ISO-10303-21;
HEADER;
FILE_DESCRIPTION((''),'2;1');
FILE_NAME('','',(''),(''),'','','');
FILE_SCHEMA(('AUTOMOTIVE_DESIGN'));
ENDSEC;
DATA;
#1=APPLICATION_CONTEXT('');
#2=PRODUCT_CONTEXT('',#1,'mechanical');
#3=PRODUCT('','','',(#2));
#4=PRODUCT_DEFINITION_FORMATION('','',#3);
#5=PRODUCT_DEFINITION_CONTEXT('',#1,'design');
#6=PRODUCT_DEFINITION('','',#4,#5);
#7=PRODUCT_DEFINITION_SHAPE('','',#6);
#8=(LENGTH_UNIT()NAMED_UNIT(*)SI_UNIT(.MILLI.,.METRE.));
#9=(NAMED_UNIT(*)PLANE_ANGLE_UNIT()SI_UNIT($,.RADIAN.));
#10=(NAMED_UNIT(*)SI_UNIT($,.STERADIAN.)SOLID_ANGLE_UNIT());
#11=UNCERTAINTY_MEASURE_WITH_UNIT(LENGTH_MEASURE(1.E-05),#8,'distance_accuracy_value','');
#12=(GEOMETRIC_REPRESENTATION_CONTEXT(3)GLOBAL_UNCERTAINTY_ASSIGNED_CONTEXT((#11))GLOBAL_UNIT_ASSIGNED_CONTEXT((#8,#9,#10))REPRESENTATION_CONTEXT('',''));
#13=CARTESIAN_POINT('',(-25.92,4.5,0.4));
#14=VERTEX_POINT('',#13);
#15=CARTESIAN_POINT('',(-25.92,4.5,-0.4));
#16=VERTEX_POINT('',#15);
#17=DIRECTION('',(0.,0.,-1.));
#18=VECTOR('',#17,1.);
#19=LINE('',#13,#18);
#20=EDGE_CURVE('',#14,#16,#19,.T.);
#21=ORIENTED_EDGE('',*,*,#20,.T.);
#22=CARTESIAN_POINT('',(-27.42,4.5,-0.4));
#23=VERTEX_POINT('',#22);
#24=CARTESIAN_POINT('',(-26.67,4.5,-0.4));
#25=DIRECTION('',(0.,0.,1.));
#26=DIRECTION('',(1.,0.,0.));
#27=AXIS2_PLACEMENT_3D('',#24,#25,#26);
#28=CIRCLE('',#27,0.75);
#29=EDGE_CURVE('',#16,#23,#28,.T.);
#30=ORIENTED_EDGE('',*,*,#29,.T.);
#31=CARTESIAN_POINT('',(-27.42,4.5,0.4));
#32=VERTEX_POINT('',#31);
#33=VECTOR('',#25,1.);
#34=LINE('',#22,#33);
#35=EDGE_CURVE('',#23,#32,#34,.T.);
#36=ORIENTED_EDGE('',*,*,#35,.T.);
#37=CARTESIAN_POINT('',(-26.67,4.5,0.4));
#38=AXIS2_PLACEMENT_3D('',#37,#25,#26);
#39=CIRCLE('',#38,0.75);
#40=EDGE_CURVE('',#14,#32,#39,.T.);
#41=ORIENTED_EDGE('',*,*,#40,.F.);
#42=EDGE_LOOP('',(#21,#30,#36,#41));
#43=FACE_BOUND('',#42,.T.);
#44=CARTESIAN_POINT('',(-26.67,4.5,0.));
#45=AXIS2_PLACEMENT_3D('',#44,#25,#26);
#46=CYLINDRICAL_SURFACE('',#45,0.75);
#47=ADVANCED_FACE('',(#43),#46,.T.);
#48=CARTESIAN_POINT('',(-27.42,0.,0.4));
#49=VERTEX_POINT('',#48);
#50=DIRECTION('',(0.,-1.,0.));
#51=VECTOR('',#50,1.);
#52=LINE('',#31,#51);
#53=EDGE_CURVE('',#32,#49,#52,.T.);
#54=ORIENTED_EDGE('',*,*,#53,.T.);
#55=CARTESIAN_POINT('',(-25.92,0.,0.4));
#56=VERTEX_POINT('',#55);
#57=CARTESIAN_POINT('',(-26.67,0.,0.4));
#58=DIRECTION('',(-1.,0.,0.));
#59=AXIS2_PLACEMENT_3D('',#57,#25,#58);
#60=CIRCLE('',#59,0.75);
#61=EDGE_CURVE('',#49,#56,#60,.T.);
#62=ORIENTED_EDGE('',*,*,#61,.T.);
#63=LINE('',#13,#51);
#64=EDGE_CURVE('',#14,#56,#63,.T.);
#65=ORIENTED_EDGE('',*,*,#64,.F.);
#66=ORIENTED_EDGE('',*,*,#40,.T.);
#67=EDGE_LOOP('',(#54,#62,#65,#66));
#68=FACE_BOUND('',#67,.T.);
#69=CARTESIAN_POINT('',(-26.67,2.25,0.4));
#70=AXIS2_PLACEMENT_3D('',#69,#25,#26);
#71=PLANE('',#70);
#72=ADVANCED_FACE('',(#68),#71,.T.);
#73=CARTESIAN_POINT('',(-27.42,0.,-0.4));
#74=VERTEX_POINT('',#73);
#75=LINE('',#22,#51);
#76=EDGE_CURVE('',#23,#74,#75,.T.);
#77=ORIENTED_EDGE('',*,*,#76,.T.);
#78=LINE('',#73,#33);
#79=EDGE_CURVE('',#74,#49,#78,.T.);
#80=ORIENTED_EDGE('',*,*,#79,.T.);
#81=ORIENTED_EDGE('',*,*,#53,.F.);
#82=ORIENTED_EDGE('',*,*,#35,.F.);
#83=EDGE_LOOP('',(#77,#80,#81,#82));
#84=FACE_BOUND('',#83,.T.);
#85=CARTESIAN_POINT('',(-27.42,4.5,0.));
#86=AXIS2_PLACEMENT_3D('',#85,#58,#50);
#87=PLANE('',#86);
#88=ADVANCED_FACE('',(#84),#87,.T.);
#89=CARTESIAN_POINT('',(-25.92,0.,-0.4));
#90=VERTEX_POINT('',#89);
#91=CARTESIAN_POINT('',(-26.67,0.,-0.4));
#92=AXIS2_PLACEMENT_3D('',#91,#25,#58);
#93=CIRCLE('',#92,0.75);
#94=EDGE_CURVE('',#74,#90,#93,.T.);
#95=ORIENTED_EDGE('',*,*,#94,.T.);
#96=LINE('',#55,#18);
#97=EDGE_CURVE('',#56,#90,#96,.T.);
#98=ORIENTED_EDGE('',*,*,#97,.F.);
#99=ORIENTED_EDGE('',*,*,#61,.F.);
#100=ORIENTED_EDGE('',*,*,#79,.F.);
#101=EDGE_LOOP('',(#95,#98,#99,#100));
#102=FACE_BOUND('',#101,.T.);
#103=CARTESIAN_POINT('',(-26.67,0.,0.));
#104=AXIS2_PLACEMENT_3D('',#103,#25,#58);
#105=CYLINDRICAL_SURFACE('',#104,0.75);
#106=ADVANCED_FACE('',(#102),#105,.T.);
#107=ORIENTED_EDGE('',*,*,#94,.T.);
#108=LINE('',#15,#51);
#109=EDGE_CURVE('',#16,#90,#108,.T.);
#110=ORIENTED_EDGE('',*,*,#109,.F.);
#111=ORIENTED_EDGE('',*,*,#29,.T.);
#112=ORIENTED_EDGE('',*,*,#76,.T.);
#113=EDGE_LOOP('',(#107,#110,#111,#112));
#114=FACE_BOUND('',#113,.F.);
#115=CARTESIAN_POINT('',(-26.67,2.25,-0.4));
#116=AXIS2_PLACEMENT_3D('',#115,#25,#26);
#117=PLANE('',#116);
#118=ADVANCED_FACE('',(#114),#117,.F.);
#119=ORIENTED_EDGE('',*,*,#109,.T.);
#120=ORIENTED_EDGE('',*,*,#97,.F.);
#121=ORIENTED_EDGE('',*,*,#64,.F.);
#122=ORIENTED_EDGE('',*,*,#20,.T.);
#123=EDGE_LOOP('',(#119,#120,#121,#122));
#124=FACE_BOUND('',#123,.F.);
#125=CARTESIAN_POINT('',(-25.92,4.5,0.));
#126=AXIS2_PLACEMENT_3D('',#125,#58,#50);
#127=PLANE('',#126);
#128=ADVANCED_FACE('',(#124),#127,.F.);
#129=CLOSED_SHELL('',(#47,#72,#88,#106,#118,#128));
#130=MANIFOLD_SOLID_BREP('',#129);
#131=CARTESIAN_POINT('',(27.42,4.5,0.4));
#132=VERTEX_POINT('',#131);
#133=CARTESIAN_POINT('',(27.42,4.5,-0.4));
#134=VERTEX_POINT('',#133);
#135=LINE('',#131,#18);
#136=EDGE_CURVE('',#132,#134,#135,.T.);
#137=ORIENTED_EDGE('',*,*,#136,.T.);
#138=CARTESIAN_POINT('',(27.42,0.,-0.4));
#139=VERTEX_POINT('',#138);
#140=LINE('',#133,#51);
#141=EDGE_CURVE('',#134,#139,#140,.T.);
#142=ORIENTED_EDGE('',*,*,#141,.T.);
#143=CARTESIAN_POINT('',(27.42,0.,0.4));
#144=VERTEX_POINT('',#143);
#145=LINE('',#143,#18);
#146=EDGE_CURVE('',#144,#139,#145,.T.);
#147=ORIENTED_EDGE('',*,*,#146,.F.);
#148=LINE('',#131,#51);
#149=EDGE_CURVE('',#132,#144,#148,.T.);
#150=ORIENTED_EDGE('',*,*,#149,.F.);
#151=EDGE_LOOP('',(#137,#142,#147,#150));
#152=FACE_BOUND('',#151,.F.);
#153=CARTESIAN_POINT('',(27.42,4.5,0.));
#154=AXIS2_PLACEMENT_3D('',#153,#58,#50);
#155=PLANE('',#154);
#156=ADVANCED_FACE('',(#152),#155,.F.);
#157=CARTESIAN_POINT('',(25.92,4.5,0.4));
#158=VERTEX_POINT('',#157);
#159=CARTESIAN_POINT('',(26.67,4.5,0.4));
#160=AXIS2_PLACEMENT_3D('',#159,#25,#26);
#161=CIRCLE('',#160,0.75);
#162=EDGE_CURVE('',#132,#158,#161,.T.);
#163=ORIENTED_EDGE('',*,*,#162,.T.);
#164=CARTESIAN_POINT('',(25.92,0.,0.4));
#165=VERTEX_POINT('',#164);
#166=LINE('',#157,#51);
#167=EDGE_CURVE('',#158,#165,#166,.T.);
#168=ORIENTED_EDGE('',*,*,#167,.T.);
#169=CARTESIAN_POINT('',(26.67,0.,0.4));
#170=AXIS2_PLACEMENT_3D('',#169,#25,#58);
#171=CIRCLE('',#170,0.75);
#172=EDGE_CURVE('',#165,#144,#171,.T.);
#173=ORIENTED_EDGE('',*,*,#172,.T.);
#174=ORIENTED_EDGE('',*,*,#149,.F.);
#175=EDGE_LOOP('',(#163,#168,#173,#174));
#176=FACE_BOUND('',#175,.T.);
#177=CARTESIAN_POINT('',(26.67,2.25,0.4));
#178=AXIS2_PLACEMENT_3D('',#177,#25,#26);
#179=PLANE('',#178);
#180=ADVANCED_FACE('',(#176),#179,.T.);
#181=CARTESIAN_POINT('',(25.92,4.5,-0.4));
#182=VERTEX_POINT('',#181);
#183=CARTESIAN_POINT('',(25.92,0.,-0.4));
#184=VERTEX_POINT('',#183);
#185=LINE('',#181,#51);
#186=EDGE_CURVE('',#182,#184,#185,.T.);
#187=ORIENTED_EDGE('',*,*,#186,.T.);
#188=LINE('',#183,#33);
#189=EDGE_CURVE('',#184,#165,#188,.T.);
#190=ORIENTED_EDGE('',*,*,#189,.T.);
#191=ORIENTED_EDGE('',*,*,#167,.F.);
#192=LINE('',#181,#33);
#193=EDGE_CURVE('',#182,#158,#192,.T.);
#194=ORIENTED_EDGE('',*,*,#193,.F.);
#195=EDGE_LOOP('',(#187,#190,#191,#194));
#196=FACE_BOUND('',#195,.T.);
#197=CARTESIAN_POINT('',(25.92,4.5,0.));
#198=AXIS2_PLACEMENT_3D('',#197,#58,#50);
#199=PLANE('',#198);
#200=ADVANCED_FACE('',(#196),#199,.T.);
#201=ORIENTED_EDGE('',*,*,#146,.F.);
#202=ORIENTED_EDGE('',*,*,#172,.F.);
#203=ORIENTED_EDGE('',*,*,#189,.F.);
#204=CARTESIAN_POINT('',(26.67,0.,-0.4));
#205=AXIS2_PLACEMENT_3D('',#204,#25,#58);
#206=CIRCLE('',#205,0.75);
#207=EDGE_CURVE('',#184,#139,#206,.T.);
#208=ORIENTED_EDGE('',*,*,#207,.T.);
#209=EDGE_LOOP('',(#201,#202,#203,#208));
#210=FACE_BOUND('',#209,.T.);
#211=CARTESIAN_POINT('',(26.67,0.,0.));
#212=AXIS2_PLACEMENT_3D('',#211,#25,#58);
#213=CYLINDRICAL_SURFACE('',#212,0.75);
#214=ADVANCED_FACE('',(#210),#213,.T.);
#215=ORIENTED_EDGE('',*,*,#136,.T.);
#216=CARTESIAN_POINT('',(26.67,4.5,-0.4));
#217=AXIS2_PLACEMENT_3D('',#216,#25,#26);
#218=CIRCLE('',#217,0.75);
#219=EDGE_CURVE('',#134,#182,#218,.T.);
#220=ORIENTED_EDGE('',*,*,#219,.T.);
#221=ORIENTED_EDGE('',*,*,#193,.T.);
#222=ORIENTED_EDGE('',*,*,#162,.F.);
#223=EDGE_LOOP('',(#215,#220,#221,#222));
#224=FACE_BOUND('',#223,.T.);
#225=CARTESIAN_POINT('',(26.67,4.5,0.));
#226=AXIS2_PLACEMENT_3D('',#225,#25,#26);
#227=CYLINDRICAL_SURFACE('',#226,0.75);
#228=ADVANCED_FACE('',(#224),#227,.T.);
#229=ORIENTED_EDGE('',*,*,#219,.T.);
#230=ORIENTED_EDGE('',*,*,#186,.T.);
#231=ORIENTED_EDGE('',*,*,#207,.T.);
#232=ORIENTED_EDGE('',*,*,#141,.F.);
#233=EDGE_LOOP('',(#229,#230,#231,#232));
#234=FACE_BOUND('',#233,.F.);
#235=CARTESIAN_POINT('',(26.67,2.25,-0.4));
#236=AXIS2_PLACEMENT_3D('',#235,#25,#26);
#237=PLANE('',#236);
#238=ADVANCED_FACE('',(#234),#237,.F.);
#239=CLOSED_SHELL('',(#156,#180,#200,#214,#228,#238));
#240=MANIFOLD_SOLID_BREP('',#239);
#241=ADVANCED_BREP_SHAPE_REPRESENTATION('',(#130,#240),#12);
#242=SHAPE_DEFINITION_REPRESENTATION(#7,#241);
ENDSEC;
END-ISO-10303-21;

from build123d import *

# Parameters (mm, degrees)
PAD_DEPTH    = 0.4
PAD001_DEPTH = 0.4


with BuildPart() as feature_ffc_positioner_a:
    # Sketch → Pad (new body, symmetric)
    with BuildSketch(Plane.XY):
        with BuildLine():
            ThreePointArc((-25.92, 4.5), (-26.67, 5.25), (-27.42, 4.5))
            Line((-27.42, 4.5), (-27.42, 0))
            ThreePointArc((-27.42, 0), (-26.67, -0.75), (-25.92, 0))
            Line((-25.92, 4.5), (-25.92, 0))
        make_face()
    extrude(amount=PAD_DEPTH, both=True)


with BuildPart() as feature_ffc_positioner_b:
    # Sketch001 → Pad001 (new body, symmetric)
    with BuildSketch(Plane.XY):
        with BuildLine():
            ThreePointArc((27.42, 4.5), (26.67, 5.25), (25.92, 4.5))
            Line((25.92, 4.5), (25.92, 0))
            ThreePointArc((25.92, 0), (26.67, -0.75), (27.42, 0))
            Line((27.42, 4.5), (27.42, 0))
        make_face()
    extrude(amount=PAD001_DEPTH, both=True)


solid = Compound([feature_ffc_positioner_a.part, feature_ffc_positioner_b.part])
